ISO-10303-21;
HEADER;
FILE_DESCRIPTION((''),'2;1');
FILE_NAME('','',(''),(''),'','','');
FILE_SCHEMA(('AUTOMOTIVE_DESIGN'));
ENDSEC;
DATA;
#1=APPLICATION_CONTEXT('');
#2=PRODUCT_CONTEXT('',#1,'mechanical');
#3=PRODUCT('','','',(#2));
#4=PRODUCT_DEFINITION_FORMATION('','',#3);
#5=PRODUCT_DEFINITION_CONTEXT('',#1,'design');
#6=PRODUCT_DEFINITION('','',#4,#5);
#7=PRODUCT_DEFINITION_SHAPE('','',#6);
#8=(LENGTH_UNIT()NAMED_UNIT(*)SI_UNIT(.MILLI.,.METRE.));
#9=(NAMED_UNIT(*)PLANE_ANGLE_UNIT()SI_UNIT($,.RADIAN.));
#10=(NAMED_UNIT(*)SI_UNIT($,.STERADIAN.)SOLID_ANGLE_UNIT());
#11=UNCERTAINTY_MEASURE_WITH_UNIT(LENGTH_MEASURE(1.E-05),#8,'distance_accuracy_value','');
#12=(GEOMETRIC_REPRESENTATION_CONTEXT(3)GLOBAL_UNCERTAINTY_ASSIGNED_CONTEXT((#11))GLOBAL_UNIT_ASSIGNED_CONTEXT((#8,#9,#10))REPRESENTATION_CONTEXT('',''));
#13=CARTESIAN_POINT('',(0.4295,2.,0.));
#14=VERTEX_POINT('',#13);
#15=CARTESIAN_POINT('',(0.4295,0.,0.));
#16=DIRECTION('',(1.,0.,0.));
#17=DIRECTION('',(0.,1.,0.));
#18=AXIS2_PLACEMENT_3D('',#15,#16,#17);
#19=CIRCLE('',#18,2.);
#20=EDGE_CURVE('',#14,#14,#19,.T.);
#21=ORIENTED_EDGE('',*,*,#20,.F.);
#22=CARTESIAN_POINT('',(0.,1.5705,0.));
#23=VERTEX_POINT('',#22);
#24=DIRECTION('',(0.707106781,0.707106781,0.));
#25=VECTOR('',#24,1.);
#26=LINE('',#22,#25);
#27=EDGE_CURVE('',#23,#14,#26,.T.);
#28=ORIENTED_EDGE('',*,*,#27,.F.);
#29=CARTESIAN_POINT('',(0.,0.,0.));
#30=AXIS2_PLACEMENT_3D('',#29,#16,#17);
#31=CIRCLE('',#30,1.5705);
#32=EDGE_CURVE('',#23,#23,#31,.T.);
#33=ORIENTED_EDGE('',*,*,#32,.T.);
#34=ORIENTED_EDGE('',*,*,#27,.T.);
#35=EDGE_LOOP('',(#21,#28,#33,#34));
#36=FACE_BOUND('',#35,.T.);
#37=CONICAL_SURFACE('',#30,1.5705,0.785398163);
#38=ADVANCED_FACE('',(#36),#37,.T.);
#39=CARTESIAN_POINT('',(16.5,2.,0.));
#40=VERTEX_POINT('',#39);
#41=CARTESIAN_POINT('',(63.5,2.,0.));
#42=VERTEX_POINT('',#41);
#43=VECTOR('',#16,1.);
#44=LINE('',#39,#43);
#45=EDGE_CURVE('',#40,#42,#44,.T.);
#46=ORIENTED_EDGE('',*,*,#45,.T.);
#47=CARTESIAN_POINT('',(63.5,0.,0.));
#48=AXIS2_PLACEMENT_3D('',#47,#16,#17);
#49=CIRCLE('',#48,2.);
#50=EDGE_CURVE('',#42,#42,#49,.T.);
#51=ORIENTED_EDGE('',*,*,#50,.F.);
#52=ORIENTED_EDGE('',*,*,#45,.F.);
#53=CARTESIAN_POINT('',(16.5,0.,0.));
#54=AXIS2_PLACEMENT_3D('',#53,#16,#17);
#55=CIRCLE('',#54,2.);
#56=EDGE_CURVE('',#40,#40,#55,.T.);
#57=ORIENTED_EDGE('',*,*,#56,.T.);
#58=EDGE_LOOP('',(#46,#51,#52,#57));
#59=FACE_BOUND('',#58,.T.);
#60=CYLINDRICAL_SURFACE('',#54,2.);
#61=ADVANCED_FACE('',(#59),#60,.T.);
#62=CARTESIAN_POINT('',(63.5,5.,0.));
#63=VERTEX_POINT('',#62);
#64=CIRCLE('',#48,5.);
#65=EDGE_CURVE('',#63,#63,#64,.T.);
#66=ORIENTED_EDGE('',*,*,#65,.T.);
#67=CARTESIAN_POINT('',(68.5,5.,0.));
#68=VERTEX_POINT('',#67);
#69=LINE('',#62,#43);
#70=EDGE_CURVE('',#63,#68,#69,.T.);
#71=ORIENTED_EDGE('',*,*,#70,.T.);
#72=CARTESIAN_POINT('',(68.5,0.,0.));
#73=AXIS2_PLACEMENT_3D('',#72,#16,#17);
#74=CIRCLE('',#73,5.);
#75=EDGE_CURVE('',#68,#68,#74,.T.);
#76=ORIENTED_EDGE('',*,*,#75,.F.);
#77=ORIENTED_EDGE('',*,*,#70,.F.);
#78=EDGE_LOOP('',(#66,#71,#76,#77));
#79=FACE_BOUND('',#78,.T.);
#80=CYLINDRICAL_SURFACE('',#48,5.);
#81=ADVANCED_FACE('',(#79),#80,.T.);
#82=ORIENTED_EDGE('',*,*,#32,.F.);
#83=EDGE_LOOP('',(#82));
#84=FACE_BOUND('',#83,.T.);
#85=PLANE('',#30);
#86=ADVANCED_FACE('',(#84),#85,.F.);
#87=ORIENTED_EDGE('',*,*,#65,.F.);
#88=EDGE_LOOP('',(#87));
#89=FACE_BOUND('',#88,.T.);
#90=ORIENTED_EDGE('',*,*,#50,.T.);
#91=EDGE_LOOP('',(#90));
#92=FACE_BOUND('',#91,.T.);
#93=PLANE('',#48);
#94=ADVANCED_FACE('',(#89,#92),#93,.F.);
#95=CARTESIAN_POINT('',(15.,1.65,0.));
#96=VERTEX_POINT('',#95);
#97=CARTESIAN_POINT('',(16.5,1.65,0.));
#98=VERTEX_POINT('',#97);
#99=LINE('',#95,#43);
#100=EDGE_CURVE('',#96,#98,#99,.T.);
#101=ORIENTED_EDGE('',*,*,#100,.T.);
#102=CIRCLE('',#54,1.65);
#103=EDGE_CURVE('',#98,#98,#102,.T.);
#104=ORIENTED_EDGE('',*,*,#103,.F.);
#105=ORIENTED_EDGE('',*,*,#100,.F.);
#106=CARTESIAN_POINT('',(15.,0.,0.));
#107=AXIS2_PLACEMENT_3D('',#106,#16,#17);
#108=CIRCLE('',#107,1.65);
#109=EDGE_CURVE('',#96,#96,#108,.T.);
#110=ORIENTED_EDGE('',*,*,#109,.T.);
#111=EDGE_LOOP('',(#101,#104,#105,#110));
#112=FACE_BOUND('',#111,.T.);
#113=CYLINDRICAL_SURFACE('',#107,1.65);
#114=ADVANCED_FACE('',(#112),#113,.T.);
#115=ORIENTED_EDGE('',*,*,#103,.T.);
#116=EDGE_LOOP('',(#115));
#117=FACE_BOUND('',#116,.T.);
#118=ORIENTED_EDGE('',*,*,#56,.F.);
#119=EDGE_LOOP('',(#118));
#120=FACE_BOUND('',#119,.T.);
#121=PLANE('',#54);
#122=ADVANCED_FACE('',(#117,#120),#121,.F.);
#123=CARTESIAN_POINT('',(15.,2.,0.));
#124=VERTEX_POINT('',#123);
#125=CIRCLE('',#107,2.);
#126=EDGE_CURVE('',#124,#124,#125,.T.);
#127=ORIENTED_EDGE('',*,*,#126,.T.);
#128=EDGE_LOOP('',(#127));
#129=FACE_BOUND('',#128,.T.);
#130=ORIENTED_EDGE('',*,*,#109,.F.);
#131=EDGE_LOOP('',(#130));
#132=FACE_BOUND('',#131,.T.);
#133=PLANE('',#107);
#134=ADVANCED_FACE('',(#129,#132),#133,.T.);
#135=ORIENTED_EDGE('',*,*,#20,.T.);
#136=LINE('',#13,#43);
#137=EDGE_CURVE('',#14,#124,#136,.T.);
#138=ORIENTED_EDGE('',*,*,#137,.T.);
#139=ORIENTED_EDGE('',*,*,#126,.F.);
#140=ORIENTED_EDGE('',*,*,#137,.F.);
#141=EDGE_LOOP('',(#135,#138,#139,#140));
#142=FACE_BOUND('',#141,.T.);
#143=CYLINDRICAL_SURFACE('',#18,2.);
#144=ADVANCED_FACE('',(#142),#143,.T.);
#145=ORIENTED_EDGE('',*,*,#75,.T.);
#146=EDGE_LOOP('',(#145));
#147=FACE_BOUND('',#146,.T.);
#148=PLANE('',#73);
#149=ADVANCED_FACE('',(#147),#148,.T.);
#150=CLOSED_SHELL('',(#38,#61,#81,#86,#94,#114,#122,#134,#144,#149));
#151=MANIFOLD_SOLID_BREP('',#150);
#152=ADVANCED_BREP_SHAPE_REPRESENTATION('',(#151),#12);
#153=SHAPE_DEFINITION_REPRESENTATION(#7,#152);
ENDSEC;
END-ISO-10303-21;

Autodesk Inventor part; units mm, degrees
sketch "Sketch_2" plane through (0, 0, 0) normal (0, 0, 1) x (1, 0, 0)
  line L0 (68.5, 0) -> (0, 0)
  line L1 (0, 0) -> (0, 1.5705)
  line L2 (0, 1.5705) -> (0.4295, 2)
  line L3 (0.4295, 2) -> (15, 2)
  line L4 (15, 2) -> (15, 1.65)
  line L5 (15, 1.65) -> (16.5, 1.65)
  line L6 (16.5, 1.65) -> (16.5, 2)
  line L7 (16.5, 2) -> (63.5, 2)
  line L8 (63.5, 2) -> (63.5, 5)
  line L9 (63.5, 5) -> (68.5, 5)
  line L10 (68.5, 5) -> (68.5, 0)
  line L11 (68.5, 0) -> (0, 0)
revolve "Revolution1" add sketch "Sketch_2" angle 360 about axis through (68.5, 0, 0) along (1, 0, 0)
thread "Thread1" size "M4x0.7" class "6g" standard "ISO Metric profile" full length
ref_plane "ROD_BA_XY" through (8, 0, 0) normal (-1, 0, 0) x (0, 0, -1)
ref_plane "ROD_BA_YZ" through (8, 0, 0) normal (0, 0, -1) x (0, -1, 0)
ref_plane "ROD_BA_ZX" through (8, 0, 0) normal (0, -1, 0) x (-1, 0, 0)
ref_plane "ROD_BODY_XY" through (28, 0, 0) normal (-1, 0, 0) x (0, 0, -1)
ref_plane "ROD_BODY_YZ" through (28, 0, 0) normal (0, 0, -1) x (0, -1, 0)
ref_plane "ROD_BODY_ZX" through (28, 0, 0) normal (0, -1, 0) x (-1, 0, 0)
ref_plane "rodnt1_XY" through (7.5, 0, 0) normal (1, 0, 0) x (0, 0, -1)
ref_plane "rodnt1_YZ" through (7.5, 0, 0) normal (0, 0, -1) x (0, 1, 0)
ref_plane "rodnt1_ZX" through (7.5, 0, 0) normal (0, 1, 0) x (1, 0, 0)
properties part number "10_11-CJ2B10-15Z_ROD"
